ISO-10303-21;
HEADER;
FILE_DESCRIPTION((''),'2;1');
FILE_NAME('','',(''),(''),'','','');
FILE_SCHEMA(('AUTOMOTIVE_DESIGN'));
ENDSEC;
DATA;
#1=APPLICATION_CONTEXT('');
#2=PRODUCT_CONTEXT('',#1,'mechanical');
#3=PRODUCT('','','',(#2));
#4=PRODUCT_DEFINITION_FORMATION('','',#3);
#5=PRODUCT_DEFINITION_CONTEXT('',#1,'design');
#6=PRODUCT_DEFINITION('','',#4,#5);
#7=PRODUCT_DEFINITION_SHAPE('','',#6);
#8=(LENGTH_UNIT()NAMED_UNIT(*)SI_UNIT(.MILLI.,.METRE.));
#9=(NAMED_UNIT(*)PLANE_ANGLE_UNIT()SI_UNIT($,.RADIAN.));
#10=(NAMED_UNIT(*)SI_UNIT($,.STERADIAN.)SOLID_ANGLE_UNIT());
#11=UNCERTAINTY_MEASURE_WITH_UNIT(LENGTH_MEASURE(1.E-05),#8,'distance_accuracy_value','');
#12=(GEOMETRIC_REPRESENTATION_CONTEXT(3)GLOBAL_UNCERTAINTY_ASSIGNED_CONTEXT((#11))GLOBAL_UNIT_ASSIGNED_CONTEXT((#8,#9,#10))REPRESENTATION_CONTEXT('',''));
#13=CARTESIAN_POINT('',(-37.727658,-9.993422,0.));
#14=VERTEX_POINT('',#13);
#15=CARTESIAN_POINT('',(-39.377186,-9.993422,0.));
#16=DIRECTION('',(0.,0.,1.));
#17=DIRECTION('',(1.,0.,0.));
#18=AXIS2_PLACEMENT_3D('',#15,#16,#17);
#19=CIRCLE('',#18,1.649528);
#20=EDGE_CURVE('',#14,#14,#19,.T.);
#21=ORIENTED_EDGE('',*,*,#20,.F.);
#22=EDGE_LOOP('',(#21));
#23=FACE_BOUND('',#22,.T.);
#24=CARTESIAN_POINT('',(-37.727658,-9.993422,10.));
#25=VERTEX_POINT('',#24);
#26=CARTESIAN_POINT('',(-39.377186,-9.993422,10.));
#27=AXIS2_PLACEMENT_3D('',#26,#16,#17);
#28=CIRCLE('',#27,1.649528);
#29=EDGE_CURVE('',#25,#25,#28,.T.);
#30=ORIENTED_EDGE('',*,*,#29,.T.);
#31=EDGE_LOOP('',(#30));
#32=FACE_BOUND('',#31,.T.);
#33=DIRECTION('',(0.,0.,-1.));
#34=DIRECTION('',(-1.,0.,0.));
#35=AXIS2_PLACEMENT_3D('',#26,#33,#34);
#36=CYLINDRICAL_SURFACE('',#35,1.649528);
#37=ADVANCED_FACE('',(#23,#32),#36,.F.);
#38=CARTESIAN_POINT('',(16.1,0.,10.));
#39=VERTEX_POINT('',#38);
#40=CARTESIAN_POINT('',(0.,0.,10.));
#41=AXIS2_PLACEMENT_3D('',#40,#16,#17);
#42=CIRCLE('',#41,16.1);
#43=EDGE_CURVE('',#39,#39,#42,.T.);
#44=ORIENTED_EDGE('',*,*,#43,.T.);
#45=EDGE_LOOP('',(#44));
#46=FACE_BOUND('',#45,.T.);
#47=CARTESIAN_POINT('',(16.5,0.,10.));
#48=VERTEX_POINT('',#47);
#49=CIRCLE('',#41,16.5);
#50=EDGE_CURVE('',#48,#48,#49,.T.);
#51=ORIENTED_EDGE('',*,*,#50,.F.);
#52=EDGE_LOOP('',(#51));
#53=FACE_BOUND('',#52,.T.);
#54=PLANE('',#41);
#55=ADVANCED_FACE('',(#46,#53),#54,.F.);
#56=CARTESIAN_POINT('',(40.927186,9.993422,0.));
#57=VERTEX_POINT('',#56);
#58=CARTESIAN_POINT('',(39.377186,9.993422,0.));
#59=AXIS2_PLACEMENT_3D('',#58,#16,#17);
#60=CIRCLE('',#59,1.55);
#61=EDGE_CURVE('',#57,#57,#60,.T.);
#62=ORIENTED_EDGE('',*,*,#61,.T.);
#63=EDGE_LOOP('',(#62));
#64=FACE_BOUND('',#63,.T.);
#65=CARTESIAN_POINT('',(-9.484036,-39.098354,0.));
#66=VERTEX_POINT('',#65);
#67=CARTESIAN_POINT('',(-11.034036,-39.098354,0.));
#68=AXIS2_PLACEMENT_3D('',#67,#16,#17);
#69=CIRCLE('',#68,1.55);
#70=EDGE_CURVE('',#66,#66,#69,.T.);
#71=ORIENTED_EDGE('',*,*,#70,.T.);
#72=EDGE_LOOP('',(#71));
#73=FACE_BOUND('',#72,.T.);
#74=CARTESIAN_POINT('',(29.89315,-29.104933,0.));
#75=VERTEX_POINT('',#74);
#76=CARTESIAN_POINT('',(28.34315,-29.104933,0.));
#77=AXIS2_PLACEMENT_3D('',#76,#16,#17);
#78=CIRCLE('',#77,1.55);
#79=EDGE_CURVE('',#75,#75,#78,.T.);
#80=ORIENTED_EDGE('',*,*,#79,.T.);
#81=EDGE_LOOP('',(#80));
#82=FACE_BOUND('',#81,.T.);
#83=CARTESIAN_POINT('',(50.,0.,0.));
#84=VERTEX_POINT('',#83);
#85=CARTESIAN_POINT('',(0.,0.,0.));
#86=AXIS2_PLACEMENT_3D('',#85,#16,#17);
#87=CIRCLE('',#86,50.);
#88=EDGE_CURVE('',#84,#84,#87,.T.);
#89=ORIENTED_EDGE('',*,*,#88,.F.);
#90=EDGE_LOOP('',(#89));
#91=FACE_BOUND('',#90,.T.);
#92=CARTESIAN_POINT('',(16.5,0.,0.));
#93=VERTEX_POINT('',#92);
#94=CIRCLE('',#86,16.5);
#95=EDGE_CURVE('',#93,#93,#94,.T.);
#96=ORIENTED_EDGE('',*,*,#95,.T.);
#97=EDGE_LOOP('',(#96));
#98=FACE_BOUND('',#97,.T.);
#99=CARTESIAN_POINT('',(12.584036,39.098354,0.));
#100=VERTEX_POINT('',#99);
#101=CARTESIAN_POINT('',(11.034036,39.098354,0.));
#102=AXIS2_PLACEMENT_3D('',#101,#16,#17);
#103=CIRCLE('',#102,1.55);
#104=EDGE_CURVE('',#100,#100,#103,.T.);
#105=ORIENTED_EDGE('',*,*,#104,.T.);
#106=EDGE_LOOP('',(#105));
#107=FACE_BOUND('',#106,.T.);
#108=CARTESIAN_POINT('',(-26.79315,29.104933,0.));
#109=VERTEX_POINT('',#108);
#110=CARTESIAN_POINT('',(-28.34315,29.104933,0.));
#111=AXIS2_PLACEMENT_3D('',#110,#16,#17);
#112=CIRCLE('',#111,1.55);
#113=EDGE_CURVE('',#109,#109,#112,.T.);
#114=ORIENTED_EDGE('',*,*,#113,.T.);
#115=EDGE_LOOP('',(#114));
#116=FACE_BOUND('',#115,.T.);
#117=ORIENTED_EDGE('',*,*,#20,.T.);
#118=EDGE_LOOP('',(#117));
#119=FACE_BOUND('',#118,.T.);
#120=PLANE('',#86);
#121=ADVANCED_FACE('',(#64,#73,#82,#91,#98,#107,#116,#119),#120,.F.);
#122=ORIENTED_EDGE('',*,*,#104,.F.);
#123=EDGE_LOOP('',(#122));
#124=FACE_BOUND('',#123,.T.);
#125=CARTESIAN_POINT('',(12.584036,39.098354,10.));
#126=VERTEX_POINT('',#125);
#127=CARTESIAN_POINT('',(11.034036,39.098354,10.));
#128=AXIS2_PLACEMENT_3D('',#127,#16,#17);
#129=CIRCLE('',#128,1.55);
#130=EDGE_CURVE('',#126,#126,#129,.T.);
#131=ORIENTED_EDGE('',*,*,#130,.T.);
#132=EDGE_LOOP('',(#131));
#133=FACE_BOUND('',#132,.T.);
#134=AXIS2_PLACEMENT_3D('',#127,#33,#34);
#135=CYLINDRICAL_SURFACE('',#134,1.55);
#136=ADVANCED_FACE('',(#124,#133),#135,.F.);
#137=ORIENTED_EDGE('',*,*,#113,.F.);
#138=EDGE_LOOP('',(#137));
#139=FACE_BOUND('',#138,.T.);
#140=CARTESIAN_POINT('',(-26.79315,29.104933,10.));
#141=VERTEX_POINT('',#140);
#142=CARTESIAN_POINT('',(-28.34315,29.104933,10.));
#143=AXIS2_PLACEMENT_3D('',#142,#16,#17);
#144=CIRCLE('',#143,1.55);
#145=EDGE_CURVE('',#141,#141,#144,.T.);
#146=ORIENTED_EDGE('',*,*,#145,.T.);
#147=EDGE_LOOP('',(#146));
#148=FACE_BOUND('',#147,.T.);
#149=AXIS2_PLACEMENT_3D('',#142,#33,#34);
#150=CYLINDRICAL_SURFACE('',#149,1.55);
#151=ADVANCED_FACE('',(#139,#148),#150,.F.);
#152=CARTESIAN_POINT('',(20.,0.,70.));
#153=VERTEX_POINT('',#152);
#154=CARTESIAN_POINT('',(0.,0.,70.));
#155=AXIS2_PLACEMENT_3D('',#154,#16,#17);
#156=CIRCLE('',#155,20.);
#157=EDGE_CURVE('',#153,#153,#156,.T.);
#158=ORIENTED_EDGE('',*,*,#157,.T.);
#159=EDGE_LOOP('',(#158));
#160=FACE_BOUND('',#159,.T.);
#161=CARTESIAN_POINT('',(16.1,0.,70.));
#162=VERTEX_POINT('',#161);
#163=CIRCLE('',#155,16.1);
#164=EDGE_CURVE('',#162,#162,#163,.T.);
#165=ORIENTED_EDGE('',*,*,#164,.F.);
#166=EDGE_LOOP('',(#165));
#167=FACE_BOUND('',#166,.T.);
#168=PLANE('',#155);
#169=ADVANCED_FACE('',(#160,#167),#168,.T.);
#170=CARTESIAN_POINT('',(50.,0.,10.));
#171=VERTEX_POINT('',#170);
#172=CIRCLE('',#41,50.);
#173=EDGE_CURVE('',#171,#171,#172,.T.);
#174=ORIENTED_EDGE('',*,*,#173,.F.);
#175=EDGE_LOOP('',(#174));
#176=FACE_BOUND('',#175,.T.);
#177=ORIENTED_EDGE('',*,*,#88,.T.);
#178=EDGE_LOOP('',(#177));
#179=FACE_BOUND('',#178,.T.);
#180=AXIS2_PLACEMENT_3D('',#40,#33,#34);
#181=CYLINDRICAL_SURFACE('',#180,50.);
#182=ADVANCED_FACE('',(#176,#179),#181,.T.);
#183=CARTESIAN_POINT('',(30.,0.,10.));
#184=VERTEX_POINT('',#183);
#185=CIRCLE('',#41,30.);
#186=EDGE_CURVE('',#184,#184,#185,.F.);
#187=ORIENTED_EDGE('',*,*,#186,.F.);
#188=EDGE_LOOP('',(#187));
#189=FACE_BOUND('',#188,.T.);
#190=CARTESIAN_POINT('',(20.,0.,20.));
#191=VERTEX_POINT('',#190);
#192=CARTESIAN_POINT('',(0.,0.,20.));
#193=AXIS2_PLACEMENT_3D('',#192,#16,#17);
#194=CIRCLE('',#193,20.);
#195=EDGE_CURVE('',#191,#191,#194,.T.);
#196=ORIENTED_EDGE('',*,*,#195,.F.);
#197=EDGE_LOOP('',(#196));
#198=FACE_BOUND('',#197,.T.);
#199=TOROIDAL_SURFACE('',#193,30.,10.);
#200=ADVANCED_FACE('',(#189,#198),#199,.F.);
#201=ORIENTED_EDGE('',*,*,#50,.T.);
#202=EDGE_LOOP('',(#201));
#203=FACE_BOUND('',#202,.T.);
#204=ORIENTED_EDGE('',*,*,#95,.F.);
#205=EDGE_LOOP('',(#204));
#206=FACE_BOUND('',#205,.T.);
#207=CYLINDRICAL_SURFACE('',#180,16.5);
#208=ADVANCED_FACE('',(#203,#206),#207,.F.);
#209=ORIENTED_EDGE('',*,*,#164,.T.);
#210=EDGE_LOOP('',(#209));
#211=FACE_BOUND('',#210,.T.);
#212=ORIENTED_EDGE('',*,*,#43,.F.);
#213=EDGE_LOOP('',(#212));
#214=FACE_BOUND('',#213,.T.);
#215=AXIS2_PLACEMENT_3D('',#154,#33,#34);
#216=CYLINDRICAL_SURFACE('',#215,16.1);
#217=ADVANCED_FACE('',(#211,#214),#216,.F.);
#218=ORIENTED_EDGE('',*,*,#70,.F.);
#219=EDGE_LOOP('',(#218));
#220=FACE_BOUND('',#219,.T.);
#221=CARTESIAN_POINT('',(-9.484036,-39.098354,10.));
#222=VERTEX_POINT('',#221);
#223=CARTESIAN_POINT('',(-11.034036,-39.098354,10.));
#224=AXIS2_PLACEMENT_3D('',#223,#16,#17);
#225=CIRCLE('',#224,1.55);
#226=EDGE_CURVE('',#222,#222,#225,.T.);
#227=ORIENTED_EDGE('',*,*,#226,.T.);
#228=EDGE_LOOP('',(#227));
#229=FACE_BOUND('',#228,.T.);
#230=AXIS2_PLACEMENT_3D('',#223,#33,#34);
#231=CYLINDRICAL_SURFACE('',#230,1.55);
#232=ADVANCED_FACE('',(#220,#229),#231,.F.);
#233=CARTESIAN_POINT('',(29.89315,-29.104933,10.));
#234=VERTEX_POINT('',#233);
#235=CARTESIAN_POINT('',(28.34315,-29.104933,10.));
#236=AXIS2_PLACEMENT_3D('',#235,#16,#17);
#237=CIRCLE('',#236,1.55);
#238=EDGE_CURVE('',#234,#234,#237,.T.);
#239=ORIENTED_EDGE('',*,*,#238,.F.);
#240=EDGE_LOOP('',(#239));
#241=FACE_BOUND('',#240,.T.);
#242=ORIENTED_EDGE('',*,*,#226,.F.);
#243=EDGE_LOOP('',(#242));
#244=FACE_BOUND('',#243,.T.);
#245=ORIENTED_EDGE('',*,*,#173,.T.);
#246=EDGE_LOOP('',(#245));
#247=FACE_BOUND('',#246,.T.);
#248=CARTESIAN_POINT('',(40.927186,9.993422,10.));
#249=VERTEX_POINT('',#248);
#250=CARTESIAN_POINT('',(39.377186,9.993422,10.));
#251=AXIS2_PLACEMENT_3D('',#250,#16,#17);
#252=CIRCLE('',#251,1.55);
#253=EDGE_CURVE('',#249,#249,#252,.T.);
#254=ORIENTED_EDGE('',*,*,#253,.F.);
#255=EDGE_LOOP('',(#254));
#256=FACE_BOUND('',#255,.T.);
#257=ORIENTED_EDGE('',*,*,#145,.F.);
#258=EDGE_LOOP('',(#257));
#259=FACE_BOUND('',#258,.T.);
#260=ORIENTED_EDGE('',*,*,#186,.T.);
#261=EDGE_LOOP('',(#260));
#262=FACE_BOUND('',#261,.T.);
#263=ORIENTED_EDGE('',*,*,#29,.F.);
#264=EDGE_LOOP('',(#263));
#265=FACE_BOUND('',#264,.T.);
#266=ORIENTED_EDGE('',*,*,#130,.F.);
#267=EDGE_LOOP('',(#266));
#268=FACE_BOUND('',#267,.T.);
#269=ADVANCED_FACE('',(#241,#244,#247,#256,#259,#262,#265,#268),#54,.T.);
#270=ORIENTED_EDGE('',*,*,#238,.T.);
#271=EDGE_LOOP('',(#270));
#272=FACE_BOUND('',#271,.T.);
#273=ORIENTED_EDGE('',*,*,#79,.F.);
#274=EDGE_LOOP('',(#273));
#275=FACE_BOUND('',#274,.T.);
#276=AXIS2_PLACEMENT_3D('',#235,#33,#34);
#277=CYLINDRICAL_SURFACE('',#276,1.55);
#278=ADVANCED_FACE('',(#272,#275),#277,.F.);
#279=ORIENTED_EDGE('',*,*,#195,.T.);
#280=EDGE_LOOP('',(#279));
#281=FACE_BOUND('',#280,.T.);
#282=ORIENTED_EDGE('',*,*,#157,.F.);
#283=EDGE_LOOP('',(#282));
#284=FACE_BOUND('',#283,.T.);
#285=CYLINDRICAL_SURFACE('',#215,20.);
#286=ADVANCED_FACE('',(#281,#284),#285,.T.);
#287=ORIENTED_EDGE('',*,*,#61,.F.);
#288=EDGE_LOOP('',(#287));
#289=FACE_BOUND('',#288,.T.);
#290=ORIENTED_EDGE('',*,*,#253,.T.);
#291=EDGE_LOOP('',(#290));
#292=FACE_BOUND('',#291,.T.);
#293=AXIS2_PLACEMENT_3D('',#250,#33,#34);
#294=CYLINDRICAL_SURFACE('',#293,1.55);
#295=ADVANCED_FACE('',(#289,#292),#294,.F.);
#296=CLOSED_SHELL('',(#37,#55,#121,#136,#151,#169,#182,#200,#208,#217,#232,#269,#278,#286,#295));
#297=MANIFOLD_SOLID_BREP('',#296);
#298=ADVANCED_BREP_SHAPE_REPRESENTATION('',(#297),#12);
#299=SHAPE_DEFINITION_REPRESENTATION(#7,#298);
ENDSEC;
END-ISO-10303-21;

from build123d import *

# Parameters (mm, degrees)
SKETCH1_R           = 50
SKETCH1_R_2         = 16.5
SKETCH1_R_3         = 1.55
SKETCH1_R_4         = 1.649528324
BOSS_EXTRUDE1_DEPTH = 10
SKETCH2_R           = 20
SKETCH2_R_2         = 16.1
BOSS_EXTRUDE2_DEPTH = 60
FILLET1_R           = 10


with BuildPart() as part:
    # Sketch1 → Boss-Extrude1 (new body)
    with BuildSketch(Plane.XY):
        Circle(SKETCH1_R)
        Circle(SKETCH1_R_2, mode=Mode.SUBTRACT)
        with Locations((-11.034036049, -39.098354169)):
            Circle(SKETCH1_R_3, mode=Mode.SUBTRACT)
        with Locations((-39.377185981, -9.99342156)):
            Circle(SKETCH1_R_4, mode=Mode.SUBTRACT)
        with Locations((-28.343149932, 29.104932609)):
            Circle(SKETCH1_R_3, mode=Mode.SUBTRACT)
        with Locations((11.034036049, 39.098354169)):
            Circle(SKETCH1_R_3, mode=Mode.SUBTRACT)
        with Locations((39.377185981, 9.99342156)):
            Circle(SKETCH1_R_3, mode=Mode.SUBTRACT)
        with Locations((28.343149932, -29.104932609)):
            Circle(SKETCH1_R_3, mode=Mode.SUBTRACT)
    extrude(amount=BOSS_EXTRUDE1_DEPTH)

    # Sketch2 → Boss-Extrude2 (add)
    with BuildSketch(Plane.XY.offset(10)):
        Circle(SKETCH2_R)
        Circle(SKETCH2_R_2, mode=Mode.SUBTRACT)
    extrude(amount=BOSS_EXTRUDE2_DEPTH)

    # Fillet1
    fillet1_edges = [part.edges().sort_by_distance(p)[0] for p in [
        (-20, 0, 10),
    ]]
    fillet(fillet1_edges, radius=FILLET1_R)


solid = part.part
